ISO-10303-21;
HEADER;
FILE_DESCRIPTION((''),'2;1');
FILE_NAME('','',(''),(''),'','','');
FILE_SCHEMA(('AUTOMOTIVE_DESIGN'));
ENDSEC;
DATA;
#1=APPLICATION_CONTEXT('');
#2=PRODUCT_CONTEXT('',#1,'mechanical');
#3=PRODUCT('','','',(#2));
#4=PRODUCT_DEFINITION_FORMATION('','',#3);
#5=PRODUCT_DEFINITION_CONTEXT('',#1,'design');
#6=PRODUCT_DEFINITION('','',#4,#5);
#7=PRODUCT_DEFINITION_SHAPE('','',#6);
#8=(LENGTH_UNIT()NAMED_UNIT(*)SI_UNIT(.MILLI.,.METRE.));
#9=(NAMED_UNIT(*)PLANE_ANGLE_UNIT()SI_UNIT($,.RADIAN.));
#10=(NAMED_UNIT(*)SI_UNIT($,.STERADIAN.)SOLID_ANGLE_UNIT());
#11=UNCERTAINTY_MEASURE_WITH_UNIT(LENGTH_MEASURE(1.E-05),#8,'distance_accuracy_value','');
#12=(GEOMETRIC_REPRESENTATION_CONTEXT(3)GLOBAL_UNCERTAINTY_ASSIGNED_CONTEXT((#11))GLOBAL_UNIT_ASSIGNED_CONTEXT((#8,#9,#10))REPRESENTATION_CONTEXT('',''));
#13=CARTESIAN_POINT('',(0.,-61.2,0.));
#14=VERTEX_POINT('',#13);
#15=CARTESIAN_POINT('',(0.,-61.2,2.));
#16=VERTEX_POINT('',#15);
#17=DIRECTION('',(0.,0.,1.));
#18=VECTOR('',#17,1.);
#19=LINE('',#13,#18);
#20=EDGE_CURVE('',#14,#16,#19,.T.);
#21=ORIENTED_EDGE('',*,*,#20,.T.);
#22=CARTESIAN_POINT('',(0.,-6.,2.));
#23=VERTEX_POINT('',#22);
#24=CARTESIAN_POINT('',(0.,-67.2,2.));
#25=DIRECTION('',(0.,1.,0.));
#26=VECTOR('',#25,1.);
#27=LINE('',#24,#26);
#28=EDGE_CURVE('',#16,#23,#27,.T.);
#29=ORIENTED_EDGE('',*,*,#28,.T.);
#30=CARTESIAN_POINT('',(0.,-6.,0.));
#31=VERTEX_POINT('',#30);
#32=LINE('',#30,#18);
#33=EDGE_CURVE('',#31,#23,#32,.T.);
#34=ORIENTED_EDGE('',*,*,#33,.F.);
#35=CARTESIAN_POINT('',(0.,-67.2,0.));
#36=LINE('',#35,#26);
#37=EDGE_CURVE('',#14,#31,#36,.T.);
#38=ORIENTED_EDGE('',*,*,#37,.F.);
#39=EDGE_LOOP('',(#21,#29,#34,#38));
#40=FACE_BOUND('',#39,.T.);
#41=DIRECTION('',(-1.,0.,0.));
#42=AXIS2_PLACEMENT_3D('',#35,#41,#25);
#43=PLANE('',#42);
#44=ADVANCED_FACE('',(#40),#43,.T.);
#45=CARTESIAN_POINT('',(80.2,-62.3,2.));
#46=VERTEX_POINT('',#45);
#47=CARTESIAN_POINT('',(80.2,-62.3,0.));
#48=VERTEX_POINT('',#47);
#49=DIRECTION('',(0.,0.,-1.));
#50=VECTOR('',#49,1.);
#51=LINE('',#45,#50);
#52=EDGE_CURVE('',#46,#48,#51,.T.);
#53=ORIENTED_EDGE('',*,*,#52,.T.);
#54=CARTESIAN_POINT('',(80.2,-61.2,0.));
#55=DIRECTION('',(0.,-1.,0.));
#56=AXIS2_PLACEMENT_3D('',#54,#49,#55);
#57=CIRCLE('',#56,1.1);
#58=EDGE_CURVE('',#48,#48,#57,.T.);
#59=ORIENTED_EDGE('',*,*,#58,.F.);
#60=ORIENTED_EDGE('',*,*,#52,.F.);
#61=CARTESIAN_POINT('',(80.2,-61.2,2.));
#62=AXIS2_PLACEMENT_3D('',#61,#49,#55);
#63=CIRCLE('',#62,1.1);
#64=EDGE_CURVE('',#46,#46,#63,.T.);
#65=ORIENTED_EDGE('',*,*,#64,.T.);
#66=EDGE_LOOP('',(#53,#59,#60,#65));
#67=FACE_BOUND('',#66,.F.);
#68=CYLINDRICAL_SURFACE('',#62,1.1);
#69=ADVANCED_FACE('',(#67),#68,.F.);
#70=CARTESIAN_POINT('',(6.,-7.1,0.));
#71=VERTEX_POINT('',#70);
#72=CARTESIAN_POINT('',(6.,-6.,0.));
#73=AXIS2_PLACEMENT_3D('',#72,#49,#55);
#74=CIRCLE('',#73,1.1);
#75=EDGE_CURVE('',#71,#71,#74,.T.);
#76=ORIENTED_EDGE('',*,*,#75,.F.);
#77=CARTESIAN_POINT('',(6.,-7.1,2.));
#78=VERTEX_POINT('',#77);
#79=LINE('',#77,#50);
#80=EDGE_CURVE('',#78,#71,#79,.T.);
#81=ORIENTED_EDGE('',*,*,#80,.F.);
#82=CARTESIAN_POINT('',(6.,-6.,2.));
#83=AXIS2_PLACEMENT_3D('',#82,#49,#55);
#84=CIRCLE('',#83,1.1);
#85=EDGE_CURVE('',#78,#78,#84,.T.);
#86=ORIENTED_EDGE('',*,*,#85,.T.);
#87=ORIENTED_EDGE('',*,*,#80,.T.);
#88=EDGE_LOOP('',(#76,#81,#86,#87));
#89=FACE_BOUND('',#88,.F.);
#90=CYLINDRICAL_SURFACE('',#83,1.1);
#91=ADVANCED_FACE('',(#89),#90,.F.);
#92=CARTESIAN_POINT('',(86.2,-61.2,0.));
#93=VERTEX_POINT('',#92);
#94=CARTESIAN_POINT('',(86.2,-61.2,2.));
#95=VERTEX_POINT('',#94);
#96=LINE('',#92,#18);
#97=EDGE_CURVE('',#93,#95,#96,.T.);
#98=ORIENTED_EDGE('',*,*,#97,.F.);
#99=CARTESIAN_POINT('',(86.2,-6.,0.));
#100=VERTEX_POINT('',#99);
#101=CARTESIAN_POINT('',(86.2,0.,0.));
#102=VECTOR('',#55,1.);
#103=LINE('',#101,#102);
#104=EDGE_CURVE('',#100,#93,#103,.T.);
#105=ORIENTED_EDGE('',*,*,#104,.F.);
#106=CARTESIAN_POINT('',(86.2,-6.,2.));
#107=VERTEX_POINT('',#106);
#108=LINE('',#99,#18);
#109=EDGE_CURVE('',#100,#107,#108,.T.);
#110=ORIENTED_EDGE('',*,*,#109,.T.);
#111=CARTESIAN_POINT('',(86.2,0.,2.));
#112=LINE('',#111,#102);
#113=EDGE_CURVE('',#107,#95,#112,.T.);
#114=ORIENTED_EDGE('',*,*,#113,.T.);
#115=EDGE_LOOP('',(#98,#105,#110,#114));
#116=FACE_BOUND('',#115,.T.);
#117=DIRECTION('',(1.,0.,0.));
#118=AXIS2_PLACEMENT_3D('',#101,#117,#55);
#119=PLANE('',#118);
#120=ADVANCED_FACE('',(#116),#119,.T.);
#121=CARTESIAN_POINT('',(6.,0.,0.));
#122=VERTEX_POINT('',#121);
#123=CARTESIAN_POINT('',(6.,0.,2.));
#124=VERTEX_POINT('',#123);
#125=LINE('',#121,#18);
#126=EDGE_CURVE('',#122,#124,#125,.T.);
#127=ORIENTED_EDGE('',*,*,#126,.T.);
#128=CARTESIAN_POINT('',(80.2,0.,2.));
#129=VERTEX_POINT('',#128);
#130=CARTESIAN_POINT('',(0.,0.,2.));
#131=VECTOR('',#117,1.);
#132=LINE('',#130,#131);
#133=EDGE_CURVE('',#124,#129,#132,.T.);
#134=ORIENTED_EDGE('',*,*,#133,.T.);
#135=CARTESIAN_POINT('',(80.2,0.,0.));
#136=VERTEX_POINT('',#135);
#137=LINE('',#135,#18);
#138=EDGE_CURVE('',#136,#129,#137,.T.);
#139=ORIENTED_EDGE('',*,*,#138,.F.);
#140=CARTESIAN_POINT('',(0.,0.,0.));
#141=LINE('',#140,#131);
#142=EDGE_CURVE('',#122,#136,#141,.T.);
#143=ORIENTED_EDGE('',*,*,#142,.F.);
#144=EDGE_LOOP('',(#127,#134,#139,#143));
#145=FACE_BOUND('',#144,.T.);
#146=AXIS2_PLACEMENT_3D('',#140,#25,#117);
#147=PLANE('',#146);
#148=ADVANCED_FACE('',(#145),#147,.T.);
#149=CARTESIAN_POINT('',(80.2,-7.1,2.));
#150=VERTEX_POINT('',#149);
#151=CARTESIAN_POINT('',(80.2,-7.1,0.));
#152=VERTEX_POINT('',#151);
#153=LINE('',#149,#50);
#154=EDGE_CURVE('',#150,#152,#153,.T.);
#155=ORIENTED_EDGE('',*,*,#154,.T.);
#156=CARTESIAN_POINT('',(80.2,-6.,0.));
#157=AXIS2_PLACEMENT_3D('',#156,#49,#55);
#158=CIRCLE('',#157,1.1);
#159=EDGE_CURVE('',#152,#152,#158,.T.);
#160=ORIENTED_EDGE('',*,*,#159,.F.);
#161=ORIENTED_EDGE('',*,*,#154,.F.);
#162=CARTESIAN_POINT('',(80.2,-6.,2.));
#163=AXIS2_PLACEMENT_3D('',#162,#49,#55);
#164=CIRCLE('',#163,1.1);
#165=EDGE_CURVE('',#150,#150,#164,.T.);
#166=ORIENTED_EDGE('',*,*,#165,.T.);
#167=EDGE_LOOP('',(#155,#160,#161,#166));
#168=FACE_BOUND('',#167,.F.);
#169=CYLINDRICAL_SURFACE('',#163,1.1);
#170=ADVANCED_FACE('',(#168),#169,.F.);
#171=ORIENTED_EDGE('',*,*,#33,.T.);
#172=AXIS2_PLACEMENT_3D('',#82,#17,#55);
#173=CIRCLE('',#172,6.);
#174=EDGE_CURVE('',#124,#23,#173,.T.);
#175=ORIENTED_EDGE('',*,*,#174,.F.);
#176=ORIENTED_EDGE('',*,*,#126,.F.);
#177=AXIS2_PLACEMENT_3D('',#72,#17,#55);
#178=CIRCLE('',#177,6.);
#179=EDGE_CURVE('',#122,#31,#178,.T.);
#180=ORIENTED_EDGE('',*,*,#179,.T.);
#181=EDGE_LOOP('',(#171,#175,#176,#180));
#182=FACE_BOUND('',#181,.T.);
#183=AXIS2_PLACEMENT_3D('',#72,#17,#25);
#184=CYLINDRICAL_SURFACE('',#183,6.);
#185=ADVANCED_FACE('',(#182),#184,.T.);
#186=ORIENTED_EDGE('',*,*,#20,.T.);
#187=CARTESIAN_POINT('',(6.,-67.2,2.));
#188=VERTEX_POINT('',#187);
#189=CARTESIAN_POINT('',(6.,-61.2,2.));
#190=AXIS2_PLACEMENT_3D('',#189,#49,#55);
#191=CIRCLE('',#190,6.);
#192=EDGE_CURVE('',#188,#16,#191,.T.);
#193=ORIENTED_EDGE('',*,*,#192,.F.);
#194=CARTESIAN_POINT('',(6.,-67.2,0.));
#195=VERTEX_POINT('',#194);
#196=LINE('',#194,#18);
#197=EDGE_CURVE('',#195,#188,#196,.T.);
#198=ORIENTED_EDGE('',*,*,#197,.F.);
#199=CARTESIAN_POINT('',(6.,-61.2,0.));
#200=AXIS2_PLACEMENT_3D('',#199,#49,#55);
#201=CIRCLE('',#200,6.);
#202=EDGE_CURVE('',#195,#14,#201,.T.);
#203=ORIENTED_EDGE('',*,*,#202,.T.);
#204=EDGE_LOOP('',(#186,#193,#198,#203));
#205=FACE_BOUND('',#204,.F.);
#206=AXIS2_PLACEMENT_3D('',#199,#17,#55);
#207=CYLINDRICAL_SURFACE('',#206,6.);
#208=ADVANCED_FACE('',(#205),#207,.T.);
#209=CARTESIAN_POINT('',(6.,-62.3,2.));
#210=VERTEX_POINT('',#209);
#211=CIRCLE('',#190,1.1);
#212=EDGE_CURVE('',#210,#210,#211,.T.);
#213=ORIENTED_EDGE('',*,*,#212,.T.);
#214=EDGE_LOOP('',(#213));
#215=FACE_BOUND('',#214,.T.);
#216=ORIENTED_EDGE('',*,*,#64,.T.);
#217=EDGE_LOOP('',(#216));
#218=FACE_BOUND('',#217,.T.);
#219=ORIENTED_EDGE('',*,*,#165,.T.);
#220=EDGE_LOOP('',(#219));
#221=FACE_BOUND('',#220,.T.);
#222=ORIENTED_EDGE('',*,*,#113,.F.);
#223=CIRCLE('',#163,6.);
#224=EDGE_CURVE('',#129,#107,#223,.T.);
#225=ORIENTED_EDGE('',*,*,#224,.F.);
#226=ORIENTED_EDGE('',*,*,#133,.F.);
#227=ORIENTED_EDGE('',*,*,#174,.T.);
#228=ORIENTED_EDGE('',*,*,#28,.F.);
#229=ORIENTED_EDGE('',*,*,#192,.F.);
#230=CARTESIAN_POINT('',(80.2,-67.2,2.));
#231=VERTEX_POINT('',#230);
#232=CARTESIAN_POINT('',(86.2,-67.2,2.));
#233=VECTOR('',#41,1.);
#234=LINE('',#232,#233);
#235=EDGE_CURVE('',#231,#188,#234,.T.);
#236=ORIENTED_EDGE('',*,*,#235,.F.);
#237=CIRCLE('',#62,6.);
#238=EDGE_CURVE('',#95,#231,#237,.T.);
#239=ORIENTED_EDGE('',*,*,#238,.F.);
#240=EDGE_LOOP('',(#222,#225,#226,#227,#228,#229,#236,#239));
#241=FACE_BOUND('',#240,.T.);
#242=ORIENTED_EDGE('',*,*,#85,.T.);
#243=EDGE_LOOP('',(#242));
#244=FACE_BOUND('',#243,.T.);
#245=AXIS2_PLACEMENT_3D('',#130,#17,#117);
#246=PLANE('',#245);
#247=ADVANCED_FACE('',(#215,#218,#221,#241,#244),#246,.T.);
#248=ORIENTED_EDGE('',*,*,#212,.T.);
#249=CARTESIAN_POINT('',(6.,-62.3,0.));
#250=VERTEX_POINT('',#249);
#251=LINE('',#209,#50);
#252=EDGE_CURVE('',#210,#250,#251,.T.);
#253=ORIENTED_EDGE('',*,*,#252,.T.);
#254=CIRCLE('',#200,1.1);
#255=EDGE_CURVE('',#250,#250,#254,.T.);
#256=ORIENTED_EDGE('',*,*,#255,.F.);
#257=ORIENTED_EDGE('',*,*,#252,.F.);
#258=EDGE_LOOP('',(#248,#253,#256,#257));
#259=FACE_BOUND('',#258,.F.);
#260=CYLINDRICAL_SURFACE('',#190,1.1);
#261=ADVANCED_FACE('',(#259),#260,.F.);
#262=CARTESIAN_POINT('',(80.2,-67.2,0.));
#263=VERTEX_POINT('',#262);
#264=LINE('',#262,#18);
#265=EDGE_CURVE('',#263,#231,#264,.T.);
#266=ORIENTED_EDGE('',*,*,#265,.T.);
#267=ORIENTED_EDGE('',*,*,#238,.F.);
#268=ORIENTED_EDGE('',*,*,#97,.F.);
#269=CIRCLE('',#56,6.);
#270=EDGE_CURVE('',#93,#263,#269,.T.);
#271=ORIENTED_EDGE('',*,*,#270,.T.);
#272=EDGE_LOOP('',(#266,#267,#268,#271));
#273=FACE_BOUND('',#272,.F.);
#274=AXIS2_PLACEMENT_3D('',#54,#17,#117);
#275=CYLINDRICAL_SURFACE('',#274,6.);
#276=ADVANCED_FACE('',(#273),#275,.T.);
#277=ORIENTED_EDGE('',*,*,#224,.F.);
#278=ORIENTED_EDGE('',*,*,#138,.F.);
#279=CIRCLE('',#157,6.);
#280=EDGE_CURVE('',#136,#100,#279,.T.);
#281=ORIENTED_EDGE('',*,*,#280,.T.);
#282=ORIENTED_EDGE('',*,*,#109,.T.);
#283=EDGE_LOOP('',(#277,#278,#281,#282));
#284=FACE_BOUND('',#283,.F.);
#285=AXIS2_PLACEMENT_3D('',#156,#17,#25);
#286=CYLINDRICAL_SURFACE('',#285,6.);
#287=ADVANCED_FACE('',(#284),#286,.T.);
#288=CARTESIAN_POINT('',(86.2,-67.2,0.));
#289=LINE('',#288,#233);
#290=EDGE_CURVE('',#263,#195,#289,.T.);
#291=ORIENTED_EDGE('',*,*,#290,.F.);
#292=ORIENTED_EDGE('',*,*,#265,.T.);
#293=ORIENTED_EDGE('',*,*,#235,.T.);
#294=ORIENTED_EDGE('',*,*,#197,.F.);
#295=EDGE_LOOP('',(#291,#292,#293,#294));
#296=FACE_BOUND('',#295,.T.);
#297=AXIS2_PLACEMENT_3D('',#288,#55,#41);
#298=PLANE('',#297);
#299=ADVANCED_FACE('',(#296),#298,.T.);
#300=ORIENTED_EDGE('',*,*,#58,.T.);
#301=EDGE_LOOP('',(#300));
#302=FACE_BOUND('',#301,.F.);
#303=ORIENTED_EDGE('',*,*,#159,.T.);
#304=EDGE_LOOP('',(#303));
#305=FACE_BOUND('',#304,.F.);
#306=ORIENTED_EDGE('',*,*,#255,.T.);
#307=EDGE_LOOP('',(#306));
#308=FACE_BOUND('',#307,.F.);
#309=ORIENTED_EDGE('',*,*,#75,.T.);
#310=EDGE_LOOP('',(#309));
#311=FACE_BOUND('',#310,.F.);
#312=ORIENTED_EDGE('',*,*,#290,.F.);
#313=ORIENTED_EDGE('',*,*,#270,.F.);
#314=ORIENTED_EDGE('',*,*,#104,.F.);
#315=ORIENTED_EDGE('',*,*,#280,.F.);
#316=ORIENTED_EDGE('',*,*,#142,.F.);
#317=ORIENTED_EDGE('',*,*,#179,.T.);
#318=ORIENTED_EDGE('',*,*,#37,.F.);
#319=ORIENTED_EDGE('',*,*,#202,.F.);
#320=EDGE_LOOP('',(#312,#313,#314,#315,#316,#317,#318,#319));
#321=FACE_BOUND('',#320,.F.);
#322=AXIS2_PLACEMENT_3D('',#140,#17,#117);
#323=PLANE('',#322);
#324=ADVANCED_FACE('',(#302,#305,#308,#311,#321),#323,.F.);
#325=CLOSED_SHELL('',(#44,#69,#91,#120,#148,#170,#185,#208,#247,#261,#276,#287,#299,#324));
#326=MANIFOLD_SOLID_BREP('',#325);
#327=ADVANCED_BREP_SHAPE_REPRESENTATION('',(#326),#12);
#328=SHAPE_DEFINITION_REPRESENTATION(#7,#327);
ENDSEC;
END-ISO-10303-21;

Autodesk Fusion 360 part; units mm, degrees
sketch "Sketch1" plane through (0, 0, 0) normal (0, 0, 1) x (1, 0, 0)
  line L0 (0, 0) -> (86.2, 0)
  line L1 (86.2, 0) -> (86.2, -67.2)
  line L2 (86.2, -67.2) -> (0, -67.2)
  line L3 (0, -67.2) -> (0, 0)
  dimension "d1" = 86.2
  dimension "d2" = 67.2
extrude "Extrude1" add sketch "Sketch1" along normal blind 2
fillet "Fillet1" radius 6 4 edges at (0, 0, 1) (0, -67.2, 1) (86.2, -67.2, 1) (86.2, 0, 1)
sketch "Sketch2" plane through (0, 0, 2) normal (0, 0, 1) x (-1, 0, 0)
  arc A0 (-86.2, 6) -> (-80.2, 0) centre (-80.2, 6) ccw
  line L0 (-80.2, 0) -> (-6, 0)
  arc A1 (-6, 0) -> (0, 6) centre (-6, 6) ccw
  line L1 (0, 6) -> (0, 61.2)
  arc A2 (0, 61.2) -> (-6, 67.2) centre (-6, 61.2) ccw
  line L2 (-6, 67.2) -> (-80.2, 67.2)
  arc A3 (-80.2, 67.2) -> (-86.2, 61.2) centre (-80.2, 61.2) ccw
  line L3 (-86.2, 61.2) -> (-86.2, 6)
  circle A4 centre (-80.2, 61.2) radius 1.1
  circle A5 centre (-6, 61.2) radius 1.1
  circle A6 centre (-6, 6) radius 1.1
  circle A7 centre (-80.2, 6) radius 1.1
  dimension "d7" = 2.2
  dimension "d8" = 2.2
  dimension "d9" = 2.2
  dimension "d10" = 2.2
  dimension "d11" = 6
  dimension "d12" = 6
  dimension "d13" = 6
  dimension "d14" = 6
  dimension "d15" = 6
  dimension "d16" = 6
  dimension "d17" = 6
  dimension "d18" = 6
hole "Hole1" at (80.2, -61.2, 2) at (6, -61.2, 2) at (6, -6, 2) at (80.2, -6, 2) direction (0, 0, -1) diameter 2.2 depth 2.2 tip angle 118
